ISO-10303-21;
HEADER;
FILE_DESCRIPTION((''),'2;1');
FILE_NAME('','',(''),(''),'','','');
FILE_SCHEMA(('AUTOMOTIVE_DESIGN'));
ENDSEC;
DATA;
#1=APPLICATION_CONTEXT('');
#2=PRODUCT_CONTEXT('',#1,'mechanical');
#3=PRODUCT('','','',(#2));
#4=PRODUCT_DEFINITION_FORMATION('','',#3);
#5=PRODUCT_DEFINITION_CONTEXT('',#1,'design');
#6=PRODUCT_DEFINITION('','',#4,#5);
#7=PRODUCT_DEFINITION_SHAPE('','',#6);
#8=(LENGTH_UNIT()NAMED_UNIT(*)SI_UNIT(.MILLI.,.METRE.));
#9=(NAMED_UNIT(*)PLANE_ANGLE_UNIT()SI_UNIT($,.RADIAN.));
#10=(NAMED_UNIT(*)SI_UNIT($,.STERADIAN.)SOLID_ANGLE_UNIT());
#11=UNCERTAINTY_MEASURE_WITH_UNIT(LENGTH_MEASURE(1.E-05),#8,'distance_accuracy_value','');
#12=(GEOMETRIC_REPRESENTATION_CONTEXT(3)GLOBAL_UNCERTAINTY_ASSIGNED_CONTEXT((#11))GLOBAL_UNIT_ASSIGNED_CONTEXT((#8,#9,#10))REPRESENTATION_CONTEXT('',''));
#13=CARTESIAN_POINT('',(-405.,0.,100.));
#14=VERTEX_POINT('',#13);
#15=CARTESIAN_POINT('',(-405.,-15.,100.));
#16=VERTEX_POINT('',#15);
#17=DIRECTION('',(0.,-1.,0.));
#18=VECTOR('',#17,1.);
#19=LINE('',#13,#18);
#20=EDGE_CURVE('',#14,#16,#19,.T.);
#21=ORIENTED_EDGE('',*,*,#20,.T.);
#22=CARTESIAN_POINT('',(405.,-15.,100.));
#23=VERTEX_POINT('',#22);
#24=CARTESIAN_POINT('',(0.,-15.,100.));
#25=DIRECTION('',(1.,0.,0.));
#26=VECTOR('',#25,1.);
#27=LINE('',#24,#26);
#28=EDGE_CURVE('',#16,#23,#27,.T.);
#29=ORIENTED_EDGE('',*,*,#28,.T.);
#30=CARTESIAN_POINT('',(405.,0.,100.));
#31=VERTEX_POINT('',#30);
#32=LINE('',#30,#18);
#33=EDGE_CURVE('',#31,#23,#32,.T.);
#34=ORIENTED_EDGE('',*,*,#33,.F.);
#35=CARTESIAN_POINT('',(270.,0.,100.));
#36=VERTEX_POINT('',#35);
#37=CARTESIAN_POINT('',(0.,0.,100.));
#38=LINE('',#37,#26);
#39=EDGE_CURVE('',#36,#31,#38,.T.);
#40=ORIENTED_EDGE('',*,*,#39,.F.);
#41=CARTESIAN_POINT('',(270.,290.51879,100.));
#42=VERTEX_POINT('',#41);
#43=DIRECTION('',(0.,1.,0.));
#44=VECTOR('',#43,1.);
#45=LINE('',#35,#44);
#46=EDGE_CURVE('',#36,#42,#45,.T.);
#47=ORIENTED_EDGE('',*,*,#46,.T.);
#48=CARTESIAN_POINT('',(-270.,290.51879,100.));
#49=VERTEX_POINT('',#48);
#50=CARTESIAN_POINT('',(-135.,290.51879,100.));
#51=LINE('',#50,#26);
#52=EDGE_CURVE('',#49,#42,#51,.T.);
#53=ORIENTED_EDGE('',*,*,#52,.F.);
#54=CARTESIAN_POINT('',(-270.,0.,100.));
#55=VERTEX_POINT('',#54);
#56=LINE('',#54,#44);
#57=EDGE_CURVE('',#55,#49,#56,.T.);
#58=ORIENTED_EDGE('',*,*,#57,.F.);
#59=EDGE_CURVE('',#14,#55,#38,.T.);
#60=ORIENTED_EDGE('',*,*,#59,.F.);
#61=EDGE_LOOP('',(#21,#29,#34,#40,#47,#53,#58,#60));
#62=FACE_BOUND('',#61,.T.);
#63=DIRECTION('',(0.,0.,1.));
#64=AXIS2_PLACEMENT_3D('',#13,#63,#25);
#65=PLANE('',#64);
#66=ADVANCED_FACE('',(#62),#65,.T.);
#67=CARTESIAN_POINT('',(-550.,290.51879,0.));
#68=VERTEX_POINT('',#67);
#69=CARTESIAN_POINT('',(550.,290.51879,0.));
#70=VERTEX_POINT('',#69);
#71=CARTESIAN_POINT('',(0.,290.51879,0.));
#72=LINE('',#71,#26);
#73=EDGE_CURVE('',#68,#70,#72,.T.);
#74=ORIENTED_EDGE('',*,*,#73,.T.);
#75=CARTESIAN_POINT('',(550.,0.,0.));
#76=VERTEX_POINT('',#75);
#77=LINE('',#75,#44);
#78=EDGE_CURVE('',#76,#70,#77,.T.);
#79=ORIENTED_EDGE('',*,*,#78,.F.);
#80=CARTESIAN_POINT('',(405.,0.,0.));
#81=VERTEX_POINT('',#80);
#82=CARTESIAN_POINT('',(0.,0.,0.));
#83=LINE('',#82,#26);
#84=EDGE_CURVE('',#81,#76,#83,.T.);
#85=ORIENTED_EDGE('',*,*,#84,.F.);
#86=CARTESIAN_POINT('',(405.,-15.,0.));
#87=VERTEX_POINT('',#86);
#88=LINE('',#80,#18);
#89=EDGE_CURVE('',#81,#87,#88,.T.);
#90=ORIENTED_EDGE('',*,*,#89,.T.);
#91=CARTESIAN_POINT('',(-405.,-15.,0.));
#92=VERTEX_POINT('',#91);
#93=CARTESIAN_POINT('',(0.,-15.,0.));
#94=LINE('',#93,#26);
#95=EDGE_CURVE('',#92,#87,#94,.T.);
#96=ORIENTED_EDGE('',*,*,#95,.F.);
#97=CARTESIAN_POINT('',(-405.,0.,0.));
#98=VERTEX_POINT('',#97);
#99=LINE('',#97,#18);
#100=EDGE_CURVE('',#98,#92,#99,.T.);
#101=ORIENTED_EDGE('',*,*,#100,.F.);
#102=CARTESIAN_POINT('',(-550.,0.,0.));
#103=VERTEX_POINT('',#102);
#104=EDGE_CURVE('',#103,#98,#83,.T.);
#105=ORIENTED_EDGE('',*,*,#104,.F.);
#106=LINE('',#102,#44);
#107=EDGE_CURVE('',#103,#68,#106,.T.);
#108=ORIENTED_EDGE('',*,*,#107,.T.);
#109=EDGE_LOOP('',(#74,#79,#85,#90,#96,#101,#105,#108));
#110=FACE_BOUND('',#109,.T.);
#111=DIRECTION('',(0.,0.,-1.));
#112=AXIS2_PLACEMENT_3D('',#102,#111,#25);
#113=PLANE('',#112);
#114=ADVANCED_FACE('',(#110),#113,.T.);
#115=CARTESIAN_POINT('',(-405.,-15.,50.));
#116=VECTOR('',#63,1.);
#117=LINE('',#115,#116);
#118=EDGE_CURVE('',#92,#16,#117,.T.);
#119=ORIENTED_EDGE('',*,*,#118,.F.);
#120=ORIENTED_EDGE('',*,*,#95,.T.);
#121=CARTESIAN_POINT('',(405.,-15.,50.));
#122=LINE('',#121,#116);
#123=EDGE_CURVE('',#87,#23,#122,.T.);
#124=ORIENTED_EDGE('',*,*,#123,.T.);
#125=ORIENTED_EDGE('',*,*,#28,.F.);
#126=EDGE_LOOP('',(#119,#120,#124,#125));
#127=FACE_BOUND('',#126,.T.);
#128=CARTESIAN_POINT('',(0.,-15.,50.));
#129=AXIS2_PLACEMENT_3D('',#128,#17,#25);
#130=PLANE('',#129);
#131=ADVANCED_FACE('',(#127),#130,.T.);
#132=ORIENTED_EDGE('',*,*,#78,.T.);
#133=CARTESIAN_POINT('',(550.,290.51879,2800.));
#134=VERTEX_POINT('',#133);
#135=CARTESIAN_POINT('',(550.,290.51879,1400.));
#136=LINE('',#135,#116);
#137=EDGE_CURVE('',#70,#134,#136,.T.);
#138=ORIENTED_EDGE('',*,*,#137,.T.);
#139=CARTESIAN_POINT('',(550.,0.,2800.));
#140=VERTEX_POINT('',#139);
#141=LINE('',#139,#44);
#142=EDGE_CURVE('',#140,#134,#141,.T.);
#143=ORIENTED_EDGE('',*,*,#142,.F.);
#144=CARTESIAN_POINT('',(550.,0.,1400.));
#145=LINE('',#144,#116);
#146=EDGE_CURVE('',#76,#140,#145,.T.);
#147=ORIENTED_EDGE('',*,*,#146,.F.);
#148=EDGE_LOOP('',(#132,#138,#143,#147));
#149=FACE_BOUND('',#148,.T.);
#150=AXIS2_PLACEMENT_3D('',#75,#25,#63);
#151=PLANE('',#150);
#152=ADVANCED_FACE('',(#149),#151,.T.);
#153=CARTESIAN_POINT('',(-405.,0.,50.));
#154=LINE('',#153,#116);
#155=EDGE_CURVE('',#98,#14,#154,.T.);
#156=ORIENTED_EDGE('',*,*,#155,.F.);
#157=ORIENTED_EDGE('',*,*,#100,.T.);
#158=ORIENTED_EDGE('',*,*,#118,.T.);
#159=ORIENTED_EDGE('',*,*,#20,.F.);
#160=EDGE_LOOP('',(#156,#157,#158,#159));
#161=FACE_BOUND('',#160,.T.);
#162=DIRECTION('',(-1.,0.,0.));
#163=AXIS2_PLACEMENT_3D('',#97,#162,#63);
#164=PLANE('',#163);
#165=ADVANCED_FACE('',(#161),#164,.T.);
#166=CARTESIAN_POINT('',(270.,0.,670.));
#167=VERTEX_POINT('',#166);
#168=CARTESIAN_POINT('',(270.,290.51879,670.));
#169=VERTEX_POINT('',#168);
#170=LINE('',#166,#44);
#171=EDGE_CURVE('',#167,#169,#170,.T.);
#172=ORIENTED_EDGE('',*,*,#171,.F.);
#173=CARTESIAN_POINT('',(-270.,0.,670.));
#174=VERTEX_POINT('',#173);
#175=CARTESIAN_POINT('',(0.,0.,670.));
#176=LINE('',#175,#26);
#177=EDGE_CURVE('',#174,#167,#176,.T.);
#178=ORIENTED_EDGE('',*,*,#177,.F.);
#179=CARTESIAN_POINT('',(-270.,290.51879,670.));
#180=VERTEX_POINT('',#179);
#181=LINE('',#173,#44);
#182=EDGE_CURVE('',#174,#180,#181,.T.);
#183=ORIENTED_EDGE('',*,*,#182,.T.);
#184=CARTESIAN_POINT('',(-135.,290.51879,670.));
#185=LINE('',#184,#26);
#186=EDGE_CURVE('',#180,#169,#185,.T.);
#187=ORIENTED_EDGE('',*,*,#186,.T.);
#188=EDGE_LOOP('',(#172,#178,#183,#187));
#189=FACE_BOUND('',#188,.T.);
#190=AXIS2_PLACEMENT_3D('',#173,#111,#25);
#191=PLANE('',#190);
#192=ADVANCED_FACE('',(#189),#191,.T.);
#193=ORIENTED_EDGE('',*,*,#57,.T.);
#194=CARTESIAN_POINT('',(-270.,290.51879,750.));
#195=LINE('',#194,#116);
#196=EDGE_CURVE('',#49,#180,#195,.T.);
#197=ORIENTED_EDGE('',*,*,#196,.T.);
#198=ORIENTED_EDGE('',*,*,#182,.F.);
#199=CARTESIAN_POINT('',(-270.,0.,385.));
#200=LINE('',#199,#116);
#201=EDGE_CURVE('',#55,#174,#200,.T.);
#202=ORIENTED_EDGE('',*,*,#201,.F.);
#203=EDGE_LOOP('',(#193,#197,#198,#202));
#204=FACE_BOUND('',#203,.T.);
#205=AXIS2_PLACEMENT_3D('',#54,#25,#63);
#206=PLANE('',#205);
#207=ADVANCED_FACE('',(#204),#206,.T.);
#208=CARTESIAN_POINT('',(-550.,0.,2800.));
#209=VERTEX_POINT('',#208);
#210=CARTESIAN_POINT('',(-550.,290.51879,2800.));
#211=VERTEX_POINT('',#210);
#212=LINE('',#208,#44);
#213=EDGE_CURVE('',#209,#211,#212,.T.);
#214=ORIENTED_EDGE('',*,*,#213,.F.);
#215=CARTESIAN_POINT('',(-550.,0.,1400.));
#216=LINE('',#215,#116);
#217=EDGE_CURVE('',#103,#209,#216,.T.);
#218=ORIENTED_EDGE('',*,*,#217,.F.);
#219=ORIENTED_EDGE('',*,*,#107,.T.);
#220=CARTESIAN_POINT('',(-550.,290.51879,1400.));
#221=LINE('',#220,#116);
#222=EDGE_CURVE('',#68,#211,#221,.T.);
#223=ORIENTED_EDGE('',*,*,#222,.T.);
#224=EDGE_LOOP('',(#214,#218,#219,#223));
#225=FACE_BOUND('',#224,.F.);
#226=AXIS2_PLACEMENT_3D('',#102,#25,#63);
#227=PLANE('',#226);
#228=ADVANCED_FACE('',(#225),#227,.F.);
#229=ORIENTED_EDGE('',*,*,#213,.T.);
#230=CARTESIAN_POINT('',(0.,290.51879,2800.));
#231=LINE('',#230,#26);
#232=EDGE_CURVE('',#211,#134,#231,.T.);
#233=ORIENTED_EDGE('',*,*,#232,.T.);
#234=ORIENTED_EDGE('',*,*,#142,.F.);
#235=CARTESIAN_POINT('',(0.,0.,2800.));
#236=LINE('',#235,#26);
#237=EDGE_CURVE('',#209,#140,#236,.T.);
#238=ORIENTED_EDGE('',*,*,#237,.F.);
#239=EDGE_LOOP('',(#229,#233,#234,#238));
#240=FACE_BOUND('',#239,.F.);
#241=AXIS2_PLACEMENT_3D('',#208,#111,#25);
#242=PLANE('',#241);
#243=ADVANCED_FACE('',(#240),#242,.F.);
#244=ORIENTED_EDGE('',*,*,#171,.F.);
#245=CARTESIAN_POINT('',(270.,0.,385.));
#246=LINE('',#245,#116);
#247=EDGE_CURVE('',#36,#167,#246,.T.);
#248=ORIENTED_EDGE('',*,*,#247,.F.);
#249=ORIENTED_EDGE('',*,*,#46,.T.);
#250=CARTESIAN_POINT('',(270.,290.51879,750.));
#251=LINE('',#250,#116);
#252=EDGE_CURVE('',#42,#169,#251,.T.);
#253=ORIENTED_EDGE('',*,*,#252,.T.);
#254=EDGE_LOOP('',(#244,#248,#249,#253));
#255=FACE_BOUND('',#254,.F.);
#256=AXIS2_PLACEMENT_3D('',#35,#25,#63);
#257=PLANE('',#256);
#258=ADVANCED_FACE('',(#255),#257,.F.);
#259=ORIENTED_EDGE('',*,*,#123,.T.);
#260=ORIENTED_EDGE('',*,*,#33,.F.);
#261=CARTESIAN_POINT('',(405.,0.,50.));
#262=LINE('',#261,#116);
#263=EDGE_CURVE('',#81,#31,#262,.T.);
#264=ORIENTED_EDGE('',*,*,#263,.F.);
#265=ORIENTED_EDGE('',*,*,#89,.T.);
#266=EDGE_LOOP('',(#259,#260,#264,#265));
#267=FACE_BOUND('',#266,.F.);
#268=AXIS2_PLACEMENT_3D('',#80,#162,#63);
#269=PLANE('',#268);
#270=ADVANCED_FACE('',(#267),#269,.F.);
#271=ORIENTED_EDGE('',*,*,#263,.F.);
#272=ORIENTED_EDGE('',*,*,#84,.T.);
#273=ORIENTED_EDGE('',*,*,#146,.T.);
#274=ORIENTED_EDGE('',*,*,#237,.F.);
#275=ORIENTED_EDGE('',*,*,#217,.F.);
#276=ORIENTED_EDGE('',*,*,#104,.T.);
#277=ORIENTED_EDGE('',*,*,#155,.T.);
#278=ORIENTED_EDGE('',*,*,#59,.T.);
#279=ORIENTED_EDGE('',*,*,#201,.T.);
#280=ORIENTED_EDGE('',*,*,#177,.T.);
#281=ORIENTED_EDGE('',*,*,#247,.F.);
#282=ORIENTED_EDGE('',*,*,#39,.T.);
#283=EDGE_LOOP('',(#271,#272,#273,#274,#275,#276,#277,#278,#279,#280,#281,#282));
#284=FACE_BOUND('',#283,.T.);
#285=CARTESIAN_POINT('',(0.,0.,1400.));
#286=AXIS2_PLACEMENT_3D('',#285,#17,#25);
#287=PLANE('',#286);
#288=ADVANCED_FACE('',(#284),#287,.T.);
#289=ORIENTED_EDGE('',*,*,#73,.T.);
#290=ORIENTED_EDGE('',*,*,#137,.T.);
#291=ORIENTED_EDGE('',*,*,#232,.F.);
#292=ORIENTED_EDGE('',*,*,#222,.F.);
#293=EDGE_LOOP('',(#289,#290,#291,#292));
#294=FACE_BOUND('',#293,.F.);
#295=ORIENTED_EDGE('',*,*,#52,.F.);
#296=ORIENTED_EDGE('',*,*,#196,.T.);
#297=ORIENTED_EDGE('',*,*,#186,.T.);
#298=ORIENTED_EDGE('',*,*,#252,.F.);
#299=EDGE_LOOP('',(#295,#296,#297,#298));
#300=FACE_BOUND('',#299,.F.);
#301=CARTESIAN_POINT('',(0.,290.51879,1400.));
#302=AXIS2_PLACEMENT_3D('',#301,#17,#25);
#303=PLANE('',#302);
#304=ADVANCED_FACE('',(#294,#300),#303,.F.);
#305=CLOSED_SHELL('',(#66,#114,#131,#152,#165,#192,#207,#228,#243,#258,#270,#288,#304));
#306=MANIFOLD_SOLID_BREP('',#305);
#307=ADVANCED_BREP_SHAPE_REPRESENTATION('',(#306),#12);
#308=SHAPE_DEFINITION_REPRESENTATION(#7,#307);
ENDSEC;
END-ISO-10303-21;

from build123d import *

# Parameters (mm, degrees)
F0_W     = 1100
F0_H     = 2800
F4_DEPTH = 290.51879
F1_W     = 810
F1_H     = 100
F2_DEPTH = 15
F3_W     = 540
F3_H     = 570
F5_DEPTH = 300


with BuildPart() as f4:
    # F0 (on Front) → F4 (new body)
    with BuildSketch(Plane.XZ):
        with Locations((0, 1400)):
            Rectangle(F0_W, F0_H)
    extrude(amount=-F4_DEPTH)

    # F1 (on face) → F2 (join)
    with BuildSketch(Plane.XZ):
        with Locations((0, 50)):
            Rectangle(F1_W, F1_H)
    extrude(amount=F2_DEPTH)

    # F3 (on face) → F5 (cut)
    with BuildSketch(Plane.XZ):
        with Locations((0, 385)):
            Rectangle(F3_W, F3_H)
    extrude(amount=-F5_DEPTH, mode=Mode.SUBTRACT)


solid = f4.part
